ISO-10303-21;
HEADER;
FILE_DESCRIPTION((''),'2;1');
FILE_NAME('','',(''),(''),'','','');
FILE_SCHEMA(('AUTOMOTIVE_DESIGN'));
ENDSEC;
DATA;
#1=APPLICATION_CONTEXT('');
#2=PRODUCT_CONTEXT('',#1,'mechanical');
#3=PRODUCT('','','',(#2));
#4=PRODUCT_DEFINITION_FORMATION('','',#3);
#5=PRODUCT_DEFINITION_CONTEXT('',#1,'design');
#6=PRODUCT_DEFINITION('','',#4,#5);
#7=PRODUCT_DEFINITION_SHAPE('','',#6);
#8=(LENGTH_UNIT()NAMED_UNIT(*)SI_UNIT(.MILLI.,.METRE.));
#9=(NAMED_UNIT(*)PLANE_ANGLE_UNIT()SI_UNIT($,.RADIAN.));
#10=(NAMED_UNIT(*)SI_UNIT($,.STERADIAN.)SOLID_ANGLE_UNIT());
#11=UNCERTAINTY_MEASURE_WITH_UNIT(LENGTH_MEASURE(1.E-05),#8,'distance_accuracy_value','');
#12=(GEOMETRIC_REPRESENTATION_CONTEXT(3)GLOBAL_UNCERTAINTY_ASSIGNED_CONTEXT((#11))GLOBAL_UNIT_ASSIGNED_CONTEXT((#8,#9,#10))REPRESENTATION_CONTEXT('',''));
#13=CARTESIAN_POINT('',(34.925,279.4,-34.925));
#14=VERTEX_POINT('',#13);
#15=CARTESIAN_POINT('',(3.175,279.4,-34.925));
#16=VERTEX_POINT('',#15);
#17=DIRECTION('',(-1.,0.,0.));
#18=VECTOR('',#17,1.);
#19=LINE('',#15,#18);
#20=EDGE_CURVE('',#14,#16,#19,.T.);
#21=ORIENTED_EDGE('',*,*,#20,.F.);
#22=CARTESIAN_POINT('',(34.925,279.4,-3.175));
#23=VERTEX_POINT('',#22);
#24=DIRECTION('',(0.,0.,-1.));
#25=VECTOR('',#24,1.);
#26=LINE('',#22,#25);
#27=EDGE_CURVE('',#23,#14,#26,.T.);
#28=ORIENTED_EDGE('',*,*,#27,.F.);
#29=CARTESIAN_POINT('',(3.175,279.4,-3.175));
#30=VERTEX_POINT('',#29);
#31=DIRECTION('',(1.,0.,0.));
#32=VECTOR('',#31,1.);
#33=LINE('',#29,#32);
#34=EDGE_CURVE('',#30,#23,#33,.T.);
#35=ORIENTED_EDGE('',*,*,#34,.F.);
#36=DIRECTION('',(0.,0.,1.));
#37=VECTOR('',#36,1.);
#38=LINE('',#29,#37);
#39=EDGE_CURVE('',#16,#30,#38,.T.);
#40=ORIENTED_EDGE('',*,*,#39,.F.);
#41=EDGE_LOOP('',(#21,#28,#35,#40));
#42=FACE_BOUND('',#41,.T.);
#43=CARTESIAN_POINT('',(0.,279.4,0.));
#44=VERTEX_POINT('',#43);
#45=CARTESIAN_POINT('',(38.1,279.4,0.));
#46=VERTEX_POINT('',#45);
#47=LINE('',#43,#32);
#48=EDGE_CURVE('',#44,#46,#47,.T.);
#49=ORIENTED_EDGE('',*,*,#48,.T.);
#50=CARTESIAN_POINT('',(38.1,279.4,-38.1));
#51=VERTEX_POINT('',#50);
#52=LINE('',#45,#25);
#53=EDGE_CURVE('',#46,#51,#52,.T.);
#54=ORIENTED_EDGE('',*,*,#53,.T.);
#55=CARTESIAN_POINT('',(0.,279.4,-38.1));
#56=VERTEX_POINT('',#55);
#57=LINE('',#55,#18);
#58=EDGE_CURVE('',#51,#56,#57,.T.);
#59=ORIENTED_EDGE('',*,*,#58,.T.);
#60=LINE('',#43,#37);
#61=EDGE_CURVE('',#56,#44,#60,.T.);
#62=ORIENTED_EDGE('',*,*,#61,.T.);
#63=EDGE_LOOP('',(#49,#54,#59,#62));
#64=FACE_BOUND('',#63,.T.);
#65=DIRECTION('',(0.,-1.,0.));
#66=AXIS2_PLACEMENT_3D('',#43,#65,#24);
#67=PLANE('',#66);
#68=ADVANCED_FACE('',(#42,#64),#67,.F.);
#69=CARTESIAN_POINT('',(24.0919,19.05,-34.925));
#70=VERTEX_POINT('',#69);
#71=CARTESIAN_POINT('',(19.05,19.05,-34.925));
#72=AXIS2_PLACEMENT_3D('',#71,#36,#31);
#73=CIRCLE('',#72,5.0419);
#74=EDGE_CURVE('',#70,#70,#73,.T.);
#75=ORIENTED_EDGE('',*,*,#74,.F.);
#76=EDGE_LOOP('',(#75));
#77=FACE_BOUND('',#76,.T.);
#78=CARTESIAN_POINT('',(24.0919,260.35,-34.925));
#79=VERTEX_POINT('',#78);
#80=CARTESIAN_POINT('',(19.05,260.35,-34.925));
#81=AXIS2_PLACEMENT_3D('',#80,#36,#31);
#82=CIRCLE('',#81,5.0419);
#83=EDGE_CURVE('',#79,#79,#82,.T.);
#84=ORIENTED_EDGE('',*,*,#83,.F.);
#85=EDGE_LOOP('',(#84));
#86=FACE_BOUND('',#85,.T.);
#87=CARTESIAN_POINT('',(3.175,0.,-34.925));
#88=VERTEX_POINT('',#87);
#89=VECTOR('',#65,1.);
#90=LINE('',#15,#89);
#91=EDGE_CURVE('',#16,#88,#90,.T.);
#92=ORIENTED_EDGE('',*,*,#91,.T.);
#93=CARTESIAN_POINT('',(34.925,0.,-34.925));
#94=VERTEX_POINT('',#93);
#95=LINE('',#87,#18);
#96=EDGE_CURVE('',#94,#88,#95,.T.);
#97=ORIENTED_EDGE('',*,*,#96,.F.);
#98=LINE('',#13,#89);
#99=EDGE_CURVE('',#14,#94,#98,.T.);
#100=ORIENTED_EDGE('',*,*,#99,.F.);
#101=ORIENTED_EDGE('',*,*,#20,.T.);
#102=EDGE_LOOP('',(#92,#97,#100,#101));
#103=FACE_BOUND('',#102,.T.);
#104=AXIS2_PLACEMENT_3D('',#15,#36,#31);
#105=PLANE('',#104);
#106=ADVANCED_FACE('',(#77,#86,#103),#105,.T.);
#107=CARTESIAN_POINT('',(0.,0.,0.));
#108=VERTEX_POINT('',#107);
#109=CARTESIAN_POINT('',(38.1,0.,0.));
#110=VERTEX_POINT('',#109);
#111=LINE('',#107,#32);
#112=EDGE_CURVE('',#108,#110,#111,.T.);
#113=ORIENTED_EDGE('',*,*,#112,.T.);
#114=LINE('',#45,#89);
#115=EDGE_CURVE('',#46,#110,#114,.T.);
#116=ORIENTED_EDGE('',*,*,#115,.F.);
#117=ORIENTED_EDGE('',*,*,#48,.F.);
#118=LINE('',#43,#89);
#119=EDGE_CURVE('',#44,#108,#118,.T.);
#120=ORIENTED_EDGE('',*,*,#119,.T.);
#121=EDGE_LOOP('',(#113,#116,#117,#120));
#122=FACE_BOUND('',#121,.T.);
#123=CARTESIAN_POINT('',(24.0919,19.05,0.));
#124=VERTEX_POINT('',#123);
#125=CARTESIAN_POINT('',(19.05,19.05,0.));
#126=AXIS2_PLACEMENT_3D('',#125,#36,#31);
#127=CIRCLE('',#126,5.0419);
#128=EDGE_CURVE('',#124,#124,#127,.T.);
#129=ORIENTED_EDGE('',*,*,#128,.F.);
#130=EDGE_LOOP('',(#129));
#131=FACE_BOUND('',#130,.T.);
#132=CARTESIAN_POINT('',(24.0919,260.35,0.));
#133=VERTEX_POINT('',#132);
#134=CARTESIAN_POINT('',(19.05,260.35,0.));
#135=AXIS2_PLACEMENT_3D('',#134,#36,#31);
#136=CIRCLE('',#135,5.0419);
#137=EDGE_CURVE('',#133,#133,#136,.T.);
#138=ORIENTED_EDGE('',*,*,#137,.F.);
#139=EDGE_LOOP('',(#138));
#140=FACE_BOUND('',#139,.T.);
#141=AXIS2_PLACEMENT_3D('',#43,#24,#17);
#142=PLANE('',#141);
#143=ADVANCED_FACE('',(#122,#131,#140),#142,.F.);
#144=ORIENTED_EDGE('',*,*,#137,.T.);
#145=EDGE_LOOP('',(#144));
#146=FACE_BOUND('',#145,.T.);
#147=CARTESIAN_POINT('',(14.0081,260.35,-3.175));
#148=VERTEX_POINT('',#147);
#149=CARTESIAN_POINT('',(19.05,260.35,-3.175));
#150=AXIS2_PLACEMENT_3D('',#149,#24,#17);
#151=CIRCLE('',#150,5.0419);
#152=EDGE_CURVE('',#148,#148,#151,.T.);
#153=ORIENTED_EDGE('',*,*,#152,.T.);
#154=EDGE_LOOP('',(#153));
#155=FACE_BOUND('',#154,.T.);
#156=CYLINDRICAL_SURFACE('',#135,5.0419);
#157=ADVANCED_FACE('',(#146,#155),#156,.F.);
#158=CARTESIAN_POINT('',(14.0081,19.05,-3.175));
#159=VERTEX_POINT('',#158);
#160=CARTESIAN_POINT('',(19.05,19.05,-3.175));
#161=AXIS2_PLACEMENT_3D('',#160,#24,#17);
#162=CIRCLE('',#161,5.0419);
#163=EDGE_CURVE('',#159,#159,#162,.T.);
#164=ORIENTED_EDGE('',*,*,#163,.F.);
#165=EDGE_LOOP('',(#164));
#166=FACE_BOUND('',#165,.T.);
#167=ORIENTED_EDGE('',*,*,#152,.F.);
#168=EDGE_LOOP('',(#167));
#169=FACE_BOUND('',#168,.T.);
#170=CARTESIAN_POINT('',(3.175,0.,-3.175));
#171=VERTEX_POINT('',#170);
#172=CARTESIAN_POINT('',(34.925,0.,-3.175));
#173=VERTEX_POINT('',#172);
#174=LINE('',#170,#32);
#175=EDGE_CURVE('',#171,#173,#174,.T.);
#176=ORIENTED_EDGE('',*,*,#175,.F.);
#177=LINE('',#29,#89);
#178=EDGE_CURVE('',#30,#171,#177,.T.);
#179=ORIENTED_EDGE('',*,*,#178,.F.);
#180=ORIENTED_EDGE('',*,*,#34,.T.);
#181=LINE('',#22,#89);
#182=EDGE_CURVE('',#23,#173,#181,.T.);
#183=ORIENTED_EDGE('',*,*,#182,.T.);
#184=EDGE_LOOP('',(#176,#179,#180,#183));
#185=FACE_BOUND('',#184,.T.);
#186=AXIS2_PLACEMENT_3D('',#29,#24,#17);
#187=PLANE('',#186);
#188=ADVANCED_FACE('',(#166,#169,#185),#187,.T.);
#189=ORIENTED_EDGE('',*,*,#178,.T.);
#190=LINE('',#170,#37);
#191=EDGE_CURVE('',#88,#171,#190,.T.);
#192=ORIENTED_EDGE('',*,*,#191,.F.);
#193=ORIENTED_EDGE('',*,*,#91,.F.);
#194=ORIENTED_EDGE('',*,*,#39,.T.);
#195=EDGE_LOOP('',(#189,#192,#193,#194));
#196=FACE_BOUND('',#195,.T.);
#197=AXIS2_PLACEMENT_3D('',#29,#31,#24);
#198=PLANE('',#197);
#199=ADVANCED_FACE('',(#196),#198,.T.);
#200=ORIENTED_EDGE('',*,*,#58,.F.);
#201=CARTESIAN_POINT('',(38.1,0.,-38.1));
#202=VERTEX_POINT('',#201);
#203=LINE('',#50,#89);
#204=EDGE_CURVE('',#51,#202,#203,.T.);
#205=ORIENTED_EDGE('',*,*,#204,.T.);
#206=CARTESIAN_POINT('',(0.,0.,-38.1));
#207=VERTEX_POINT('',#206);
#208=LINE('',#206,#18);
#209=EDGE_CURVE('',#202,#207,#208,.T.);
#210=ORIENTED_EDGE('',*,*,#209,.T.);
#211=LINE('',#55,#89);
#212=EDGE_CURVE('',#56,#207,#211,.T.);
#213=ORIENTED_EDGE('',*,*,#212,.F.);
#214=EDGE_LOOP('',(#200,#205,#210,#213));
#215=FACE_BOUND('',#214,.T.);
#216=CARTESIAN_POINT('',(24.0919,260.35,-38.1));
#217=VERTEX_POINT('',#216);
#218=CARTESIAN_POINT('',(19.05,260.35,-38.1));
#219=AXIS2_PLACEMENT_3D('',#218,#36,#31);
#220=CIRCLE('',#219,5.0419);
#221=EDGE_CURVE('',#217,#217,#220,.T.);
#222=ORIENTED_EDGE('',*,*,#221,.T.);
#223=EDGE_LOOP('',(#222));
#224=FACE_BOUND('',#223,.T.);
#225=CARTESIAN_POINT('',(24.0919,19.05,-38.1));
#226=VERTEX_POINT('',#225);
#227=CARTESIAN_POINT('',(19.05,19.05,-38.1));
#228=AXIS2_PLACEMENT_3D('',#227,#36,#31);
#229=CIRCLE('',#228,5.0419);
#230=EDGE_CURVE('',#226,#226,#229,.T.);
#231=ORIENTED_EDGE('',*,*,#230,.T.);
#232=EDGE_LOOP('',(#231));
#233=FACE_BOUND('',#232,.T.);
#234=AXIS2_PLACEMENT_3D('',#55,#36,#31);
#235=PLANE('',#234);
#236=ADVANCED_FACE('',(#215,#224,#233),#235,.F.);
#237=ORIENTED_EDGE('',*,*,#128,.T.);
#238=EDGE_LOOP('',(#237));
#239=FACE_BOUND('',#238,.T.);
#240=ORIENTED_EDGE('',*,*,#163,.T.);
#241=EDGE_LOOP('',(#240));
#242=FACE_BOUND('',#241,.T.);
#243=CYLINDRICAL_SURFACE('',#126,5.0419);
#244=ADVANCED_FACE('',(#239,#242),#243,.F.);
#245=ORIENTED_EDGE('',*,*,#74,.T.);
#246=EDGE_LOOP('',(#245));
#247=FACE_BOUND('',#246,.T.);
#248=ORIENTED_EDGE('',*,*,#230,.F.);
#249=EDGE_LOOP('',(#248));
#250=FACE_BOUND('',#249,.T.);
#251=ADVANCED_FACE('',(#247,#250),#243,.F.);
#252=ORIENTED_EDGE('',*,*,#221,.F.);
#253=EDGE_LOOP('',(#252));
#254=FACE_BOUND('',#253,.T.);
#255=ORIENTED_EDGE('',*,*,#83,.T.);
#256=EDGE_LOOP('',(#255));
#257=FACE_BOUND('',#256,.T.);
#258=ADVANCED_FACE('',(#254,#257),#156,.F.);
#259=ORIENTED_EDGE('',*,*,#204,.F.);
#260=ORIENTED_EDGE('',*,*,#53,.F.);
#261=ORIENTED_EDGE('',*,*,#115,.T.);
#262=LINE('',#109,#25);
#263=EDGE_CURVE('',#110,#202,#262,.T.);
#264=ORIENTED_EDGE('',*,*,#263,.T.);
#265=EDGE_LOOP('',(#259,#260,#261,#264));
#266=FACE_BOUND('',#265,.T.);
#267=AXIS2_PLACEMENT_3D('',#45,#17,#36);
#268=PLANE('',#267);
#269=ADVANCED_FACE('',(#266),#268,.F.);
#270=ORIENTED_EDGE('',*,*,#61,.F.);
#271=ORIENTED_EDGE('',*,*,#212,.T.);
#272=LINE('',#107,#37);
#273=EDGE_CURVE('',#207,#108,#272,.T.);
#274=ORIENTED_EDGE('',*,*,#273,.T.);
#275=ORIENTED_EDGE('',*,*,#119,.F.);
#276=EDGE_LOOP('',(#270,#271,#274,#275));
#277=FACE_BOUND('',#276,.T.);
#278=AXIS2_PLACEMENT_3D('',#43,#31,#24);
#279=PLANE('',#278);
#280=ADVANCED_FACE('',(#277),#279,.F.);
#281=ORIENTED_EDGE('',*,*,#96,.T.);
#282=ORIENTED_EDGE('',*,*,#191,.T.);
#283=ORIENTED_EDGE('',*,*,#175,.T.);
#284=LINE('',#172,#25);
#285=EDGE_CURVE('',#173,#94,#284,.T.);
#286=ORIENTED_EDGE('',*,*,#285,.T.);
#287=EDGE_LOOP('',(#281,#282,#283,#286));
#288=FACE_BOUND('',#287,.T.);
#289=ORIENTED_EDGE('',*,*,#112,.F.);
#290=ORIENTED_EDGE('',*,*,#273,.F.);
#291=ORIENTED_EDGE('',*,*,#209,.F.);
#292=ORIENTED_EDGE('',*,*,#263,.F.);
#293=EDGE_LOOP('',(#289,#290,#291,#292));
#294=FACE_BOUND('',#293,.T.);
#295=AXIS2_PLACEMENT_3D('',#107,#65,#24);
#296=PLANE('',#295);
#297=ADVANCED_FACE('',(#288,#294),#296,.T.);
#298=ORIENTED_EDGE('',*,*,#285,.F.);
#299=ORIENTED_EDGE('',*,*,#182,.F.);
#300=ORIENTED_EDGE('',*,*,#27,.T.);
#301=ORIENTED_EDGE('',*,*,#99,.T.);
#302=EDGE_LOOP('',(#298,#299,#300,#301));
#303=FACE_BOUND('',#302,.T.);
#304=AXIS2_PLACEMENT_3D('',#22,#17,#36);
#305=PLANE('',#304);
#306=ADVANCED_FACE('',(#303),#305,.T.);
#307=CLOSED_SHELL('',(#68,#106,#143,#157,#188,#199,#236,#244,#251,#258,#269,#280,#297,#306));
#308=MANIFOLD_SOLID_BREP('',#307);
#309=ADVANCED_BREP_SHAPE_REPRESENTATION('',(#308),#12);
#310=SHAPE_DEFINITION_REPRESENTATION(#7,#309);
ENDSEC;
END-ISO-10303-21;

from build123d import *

# Parameters (mm, degrees)
SKETCH1_W                = 38.1
SKETCH1_H                = 38.1
SKETCH1_W_2              = 31.75
SKETCH1_H_2              = 31.75
BOSS_EXTRUDE1_DEPTH      = 279.4
X_0_397_DIAMETER_HOLE1_D = 10.0838


with BuildPart() as part:
    # Sketch1 → Boss-Extrude1 (new body)
    with BuildSketch(Plane(origin=(0, 0, 0), x_dir=(1, 0, 0), z_dir=(0, 1, 0))):
        with Locations((19.05, 19.05)):
            Rectangle(SKETCH1_W, SKETCH1_H)
        with Locations((19.05, 19.05)):
            Rectangle(SKETCH1_W_2, SKETCH1_H_2, mode=Mode.SUBTRACT)
    extrude(amount=BOSS_EXTRUDE1_DEPTH)

    # X (0.397) Diameter Hole1 (through all)
    with Locations(Plane.XY):
        with Locations((19.05, 260.35), (19.05, 19.05)):
            Hole(X_0_397_DIAMETER_HOLE1_D / 2)


solid = part.part
